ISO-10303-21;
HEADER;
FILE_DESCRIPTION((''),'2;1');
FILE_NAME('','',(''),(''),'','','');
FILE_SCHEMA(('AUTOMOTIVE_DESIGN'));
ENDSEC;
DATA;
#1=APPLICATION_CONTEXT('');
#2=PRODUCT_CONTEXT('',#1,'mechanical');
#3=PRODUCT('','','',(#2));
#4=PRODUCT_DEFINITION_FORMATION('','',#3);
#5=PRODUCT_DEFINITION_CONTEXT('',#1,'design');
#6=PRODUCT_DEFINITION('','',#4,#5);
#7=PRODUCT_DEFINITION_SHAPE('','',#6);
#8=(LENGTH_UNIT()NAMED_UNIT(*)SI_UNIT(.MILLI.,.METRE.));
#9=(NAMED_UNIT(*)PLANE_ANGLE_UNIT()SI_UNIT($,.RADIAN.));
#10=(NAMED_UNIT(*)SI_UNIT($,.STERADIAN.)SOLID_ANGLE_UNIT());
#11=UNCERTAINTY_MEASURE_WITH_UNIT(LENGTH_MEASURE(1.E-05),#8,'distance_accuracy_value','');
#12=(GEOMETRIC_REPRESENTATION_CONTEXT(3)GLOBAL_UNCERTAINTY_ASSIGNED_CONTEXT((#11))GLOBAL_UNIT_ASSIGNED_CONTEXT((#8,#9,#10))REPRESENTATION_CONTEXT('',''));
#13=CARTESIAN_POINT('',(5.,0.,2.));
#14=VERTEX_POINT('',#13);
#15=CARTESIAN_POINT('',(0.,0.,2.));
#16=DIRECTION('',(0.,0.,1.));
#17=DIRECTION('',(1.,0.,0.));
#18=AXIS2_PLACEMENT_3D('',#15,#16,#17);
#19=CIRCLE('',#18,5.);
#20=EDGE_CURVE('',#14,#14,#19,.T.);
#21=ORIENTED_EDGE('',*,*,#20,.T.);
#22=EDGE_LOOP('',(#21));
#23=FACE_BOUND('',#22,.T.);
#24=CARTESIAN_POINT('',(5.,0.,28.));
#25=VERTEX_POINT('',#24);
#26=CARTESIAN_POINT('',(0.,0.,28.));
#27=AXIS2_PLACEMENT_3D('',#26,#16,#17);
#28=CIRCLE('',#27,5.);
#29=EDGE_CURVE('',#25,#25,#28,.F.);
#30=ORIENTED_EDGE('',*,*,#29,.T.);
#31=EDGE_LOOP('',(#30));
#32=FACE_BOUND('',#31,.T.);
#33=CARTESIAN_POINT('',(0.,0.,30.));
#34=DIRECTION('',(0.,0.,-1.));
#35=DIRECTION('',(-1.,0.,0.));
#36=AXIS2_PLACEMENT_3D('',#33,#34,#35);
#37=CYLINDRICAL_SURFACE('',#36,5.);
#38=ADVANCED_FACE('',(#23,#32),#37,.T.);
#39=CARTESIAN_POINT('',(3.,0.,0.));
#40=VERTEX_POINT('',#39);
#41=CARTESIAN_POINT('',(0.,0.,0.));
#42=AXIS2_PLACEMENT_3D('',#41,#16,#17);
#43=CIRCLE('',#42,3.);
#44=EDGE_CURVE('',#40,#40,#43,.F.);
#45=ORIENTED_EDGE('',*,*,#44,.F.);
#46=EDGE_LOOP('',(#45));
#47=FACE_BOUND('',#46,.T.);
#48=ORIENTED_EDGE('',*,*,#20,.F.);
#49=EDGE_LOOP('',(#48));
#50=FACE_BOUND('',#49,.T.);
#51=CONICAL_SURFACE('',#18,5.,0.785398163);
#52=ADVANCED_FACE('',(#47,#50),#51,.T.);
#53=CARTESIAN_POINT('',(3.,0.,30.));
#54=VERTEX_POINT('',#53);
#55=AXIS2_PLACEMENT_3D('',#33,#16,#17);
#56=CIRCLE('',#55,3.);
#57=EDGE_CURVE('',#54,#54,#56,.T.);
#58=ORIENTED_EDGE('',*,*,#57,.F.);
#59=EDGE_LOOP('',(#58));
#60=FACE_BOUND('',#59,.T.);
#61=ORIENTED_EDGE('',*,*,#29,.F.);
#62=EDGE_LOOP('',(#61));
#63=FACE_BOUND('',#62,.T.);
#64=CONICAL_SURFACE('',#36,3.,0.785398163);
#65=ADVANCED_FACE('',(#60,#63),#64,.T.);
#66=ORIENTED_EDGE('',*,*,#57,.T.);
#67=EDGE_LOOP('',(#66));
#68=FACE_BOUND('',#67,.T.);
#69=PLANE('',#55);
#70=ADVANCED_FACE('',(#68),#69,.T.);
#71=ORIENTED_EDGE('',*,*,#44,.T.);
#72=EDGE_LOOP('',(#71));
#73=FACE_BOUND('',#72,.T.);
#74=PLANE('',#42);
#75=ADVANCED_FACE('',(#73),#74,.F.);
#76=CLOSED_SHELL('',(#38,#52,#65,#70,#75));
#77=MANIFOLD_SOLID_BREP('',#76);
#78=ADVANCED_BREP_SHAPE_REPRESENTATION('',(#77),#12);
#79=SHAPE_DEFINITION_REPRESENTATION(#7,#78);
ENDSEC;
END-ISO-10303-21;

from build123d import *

# Parameters (mm, degrees)
SKETCH1_R          = 5
BASE_EXTRUDE_DEPTH = 30
CHAMFER1_SIZE      = 2


with BuildPart() as part:
    # Sketch1 → Base-Extrude (new body)
    with BuildSketch(Plane.XY):
        Circle(SKETCH1_R)
    extrude(amount=BASE_EXTRUDE_DEPTH)

    # Chamfer1
    chamfer1_edges = [part.edges().sort_by_distance(p)[0] for p in [
        (-5, 0, 0),
        (-5, 0, 30),
    ]]
    chamfer(chamfer1_edges, length=CHAMFER1_SIZE)


solid = part.part
